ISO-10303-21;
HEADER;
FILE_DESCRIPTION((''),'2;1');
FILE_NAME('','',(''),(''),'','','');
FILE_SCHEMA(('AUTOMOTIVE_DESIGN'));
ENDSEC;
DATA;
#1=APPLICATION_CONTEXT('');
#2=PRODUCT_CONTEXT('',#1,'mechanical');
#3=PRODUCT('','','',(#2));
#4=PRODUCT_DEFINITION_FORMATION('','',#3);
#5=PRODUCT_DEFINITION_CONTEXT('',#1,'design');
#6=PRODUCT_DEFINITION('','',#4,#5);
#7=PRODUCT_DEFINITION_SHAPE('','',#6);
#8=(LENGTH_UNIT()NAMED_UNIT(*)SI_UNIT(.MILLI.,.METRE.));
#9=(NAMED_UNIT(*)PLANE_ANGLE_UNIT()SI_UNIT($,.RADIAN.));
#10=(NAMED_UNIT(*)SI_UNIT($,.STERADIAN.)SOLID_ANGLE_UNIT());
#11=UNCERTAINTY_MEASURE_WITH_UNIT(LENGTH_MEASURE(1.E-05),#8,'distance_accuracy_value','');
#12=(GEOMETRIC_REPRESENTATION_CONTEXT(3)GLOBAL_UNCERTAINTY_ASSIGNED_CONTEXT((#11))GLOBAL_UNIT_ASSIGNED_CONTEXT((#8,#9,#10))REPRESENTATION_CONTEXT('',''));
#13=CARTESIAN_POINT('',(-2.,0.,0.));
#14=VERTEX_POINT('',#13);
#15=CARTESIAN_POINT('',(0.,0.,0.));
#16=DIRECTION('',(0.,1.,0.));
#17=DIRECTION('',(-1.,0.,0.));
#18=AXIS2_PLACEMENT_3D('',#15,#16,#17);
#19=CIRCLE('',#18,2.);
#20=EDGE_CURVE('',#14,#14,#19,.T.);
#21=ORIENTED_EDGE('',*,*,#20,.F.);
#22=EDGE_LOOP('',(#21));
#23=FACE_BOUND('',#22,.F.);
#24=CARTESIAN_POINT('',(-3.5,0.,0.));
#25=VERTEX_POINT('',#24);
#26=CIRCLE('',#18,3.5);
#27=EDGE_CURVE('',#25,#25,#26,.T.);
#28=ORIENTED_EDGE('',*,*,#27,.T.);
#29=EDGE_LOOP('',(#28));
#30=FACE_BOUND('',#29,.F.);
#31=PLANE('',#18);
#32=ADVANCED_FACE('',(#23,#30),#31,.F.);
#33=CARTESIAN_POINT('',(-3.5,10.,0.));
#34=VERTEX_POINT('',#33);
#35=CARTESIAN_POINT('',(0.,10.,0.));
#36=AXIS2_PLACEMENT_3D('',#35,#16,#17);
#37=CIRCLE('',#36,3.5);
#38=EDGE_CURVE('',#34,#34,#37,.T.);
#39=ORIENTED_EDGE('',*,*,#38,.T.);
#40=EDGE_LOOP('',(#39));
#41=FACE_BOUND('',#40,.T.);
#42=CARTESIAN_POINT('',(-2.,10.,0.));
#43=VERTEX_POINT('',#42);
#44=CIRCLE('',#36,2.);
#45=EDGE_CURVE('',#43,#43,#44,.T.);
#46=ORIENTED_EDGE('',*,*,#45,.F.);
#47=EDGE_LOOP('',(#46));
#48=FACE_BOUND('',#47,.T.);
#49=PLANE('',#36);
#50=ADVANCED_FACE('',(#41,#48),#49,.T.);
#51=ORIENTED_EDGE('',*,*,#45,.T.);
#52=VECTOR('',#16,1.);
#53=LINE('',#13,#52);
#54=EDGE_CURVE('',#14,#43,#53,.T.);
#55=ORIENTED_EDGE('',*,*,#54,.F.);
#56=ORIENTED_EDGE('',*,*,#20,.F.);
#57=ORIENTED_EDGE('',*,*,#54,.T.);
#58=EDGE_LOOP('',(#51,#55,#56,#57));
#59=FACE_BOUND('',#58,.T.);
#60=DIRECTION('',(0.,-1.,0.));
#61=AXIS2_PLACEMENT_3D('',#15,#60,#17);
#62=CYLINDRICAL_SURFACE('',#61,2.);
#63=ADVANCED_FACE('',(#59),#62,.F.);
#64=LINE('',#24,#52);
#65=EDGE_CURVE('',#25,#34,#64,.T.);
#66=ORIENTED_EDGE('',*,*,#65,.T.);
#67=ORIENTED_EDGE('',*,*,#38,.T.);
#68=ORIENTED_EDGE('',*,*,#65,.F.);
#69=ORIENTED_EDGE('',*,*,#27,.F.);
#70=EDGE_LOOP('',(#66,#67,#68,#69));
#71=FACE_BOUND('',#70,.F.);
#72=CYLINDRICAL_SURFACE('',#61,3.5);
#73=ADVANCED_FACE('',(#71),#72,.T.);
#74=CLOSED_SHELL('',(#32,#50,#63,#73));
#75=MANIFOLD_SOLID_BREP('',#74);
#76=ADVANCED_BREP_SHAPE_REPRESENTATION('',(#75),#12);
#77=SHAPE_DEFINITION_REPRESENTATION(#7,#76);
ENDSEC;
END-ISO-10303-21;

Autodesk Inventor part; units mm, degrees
ref_plane "YZ Plane" through (0, 0, 0) normal (1, 0, 0) x (0, 1, 0)
ref_plane "XZ Plane" through (0, 0, 0) normal (0, 1, 0) x (-1, 0, 0)
ref_plane "XY Plane" through (0, 0, 0) normal (0, 0, 1) x (1, 0, 0)
sketch "Sketch1" plane through (0, 0, 0) normal (0, 1, 0) x (-1, 0, 0)
  circle A0 centre (0, 0) radius 3.5
  circle A1 centre (0, 0) radius 2
  dimension "d0" = 7
  dimension "d1" = 4
extrude "Extrusion1" add sketch "Sketch1" along normal blind 10
properties part number "Standoff_010"
